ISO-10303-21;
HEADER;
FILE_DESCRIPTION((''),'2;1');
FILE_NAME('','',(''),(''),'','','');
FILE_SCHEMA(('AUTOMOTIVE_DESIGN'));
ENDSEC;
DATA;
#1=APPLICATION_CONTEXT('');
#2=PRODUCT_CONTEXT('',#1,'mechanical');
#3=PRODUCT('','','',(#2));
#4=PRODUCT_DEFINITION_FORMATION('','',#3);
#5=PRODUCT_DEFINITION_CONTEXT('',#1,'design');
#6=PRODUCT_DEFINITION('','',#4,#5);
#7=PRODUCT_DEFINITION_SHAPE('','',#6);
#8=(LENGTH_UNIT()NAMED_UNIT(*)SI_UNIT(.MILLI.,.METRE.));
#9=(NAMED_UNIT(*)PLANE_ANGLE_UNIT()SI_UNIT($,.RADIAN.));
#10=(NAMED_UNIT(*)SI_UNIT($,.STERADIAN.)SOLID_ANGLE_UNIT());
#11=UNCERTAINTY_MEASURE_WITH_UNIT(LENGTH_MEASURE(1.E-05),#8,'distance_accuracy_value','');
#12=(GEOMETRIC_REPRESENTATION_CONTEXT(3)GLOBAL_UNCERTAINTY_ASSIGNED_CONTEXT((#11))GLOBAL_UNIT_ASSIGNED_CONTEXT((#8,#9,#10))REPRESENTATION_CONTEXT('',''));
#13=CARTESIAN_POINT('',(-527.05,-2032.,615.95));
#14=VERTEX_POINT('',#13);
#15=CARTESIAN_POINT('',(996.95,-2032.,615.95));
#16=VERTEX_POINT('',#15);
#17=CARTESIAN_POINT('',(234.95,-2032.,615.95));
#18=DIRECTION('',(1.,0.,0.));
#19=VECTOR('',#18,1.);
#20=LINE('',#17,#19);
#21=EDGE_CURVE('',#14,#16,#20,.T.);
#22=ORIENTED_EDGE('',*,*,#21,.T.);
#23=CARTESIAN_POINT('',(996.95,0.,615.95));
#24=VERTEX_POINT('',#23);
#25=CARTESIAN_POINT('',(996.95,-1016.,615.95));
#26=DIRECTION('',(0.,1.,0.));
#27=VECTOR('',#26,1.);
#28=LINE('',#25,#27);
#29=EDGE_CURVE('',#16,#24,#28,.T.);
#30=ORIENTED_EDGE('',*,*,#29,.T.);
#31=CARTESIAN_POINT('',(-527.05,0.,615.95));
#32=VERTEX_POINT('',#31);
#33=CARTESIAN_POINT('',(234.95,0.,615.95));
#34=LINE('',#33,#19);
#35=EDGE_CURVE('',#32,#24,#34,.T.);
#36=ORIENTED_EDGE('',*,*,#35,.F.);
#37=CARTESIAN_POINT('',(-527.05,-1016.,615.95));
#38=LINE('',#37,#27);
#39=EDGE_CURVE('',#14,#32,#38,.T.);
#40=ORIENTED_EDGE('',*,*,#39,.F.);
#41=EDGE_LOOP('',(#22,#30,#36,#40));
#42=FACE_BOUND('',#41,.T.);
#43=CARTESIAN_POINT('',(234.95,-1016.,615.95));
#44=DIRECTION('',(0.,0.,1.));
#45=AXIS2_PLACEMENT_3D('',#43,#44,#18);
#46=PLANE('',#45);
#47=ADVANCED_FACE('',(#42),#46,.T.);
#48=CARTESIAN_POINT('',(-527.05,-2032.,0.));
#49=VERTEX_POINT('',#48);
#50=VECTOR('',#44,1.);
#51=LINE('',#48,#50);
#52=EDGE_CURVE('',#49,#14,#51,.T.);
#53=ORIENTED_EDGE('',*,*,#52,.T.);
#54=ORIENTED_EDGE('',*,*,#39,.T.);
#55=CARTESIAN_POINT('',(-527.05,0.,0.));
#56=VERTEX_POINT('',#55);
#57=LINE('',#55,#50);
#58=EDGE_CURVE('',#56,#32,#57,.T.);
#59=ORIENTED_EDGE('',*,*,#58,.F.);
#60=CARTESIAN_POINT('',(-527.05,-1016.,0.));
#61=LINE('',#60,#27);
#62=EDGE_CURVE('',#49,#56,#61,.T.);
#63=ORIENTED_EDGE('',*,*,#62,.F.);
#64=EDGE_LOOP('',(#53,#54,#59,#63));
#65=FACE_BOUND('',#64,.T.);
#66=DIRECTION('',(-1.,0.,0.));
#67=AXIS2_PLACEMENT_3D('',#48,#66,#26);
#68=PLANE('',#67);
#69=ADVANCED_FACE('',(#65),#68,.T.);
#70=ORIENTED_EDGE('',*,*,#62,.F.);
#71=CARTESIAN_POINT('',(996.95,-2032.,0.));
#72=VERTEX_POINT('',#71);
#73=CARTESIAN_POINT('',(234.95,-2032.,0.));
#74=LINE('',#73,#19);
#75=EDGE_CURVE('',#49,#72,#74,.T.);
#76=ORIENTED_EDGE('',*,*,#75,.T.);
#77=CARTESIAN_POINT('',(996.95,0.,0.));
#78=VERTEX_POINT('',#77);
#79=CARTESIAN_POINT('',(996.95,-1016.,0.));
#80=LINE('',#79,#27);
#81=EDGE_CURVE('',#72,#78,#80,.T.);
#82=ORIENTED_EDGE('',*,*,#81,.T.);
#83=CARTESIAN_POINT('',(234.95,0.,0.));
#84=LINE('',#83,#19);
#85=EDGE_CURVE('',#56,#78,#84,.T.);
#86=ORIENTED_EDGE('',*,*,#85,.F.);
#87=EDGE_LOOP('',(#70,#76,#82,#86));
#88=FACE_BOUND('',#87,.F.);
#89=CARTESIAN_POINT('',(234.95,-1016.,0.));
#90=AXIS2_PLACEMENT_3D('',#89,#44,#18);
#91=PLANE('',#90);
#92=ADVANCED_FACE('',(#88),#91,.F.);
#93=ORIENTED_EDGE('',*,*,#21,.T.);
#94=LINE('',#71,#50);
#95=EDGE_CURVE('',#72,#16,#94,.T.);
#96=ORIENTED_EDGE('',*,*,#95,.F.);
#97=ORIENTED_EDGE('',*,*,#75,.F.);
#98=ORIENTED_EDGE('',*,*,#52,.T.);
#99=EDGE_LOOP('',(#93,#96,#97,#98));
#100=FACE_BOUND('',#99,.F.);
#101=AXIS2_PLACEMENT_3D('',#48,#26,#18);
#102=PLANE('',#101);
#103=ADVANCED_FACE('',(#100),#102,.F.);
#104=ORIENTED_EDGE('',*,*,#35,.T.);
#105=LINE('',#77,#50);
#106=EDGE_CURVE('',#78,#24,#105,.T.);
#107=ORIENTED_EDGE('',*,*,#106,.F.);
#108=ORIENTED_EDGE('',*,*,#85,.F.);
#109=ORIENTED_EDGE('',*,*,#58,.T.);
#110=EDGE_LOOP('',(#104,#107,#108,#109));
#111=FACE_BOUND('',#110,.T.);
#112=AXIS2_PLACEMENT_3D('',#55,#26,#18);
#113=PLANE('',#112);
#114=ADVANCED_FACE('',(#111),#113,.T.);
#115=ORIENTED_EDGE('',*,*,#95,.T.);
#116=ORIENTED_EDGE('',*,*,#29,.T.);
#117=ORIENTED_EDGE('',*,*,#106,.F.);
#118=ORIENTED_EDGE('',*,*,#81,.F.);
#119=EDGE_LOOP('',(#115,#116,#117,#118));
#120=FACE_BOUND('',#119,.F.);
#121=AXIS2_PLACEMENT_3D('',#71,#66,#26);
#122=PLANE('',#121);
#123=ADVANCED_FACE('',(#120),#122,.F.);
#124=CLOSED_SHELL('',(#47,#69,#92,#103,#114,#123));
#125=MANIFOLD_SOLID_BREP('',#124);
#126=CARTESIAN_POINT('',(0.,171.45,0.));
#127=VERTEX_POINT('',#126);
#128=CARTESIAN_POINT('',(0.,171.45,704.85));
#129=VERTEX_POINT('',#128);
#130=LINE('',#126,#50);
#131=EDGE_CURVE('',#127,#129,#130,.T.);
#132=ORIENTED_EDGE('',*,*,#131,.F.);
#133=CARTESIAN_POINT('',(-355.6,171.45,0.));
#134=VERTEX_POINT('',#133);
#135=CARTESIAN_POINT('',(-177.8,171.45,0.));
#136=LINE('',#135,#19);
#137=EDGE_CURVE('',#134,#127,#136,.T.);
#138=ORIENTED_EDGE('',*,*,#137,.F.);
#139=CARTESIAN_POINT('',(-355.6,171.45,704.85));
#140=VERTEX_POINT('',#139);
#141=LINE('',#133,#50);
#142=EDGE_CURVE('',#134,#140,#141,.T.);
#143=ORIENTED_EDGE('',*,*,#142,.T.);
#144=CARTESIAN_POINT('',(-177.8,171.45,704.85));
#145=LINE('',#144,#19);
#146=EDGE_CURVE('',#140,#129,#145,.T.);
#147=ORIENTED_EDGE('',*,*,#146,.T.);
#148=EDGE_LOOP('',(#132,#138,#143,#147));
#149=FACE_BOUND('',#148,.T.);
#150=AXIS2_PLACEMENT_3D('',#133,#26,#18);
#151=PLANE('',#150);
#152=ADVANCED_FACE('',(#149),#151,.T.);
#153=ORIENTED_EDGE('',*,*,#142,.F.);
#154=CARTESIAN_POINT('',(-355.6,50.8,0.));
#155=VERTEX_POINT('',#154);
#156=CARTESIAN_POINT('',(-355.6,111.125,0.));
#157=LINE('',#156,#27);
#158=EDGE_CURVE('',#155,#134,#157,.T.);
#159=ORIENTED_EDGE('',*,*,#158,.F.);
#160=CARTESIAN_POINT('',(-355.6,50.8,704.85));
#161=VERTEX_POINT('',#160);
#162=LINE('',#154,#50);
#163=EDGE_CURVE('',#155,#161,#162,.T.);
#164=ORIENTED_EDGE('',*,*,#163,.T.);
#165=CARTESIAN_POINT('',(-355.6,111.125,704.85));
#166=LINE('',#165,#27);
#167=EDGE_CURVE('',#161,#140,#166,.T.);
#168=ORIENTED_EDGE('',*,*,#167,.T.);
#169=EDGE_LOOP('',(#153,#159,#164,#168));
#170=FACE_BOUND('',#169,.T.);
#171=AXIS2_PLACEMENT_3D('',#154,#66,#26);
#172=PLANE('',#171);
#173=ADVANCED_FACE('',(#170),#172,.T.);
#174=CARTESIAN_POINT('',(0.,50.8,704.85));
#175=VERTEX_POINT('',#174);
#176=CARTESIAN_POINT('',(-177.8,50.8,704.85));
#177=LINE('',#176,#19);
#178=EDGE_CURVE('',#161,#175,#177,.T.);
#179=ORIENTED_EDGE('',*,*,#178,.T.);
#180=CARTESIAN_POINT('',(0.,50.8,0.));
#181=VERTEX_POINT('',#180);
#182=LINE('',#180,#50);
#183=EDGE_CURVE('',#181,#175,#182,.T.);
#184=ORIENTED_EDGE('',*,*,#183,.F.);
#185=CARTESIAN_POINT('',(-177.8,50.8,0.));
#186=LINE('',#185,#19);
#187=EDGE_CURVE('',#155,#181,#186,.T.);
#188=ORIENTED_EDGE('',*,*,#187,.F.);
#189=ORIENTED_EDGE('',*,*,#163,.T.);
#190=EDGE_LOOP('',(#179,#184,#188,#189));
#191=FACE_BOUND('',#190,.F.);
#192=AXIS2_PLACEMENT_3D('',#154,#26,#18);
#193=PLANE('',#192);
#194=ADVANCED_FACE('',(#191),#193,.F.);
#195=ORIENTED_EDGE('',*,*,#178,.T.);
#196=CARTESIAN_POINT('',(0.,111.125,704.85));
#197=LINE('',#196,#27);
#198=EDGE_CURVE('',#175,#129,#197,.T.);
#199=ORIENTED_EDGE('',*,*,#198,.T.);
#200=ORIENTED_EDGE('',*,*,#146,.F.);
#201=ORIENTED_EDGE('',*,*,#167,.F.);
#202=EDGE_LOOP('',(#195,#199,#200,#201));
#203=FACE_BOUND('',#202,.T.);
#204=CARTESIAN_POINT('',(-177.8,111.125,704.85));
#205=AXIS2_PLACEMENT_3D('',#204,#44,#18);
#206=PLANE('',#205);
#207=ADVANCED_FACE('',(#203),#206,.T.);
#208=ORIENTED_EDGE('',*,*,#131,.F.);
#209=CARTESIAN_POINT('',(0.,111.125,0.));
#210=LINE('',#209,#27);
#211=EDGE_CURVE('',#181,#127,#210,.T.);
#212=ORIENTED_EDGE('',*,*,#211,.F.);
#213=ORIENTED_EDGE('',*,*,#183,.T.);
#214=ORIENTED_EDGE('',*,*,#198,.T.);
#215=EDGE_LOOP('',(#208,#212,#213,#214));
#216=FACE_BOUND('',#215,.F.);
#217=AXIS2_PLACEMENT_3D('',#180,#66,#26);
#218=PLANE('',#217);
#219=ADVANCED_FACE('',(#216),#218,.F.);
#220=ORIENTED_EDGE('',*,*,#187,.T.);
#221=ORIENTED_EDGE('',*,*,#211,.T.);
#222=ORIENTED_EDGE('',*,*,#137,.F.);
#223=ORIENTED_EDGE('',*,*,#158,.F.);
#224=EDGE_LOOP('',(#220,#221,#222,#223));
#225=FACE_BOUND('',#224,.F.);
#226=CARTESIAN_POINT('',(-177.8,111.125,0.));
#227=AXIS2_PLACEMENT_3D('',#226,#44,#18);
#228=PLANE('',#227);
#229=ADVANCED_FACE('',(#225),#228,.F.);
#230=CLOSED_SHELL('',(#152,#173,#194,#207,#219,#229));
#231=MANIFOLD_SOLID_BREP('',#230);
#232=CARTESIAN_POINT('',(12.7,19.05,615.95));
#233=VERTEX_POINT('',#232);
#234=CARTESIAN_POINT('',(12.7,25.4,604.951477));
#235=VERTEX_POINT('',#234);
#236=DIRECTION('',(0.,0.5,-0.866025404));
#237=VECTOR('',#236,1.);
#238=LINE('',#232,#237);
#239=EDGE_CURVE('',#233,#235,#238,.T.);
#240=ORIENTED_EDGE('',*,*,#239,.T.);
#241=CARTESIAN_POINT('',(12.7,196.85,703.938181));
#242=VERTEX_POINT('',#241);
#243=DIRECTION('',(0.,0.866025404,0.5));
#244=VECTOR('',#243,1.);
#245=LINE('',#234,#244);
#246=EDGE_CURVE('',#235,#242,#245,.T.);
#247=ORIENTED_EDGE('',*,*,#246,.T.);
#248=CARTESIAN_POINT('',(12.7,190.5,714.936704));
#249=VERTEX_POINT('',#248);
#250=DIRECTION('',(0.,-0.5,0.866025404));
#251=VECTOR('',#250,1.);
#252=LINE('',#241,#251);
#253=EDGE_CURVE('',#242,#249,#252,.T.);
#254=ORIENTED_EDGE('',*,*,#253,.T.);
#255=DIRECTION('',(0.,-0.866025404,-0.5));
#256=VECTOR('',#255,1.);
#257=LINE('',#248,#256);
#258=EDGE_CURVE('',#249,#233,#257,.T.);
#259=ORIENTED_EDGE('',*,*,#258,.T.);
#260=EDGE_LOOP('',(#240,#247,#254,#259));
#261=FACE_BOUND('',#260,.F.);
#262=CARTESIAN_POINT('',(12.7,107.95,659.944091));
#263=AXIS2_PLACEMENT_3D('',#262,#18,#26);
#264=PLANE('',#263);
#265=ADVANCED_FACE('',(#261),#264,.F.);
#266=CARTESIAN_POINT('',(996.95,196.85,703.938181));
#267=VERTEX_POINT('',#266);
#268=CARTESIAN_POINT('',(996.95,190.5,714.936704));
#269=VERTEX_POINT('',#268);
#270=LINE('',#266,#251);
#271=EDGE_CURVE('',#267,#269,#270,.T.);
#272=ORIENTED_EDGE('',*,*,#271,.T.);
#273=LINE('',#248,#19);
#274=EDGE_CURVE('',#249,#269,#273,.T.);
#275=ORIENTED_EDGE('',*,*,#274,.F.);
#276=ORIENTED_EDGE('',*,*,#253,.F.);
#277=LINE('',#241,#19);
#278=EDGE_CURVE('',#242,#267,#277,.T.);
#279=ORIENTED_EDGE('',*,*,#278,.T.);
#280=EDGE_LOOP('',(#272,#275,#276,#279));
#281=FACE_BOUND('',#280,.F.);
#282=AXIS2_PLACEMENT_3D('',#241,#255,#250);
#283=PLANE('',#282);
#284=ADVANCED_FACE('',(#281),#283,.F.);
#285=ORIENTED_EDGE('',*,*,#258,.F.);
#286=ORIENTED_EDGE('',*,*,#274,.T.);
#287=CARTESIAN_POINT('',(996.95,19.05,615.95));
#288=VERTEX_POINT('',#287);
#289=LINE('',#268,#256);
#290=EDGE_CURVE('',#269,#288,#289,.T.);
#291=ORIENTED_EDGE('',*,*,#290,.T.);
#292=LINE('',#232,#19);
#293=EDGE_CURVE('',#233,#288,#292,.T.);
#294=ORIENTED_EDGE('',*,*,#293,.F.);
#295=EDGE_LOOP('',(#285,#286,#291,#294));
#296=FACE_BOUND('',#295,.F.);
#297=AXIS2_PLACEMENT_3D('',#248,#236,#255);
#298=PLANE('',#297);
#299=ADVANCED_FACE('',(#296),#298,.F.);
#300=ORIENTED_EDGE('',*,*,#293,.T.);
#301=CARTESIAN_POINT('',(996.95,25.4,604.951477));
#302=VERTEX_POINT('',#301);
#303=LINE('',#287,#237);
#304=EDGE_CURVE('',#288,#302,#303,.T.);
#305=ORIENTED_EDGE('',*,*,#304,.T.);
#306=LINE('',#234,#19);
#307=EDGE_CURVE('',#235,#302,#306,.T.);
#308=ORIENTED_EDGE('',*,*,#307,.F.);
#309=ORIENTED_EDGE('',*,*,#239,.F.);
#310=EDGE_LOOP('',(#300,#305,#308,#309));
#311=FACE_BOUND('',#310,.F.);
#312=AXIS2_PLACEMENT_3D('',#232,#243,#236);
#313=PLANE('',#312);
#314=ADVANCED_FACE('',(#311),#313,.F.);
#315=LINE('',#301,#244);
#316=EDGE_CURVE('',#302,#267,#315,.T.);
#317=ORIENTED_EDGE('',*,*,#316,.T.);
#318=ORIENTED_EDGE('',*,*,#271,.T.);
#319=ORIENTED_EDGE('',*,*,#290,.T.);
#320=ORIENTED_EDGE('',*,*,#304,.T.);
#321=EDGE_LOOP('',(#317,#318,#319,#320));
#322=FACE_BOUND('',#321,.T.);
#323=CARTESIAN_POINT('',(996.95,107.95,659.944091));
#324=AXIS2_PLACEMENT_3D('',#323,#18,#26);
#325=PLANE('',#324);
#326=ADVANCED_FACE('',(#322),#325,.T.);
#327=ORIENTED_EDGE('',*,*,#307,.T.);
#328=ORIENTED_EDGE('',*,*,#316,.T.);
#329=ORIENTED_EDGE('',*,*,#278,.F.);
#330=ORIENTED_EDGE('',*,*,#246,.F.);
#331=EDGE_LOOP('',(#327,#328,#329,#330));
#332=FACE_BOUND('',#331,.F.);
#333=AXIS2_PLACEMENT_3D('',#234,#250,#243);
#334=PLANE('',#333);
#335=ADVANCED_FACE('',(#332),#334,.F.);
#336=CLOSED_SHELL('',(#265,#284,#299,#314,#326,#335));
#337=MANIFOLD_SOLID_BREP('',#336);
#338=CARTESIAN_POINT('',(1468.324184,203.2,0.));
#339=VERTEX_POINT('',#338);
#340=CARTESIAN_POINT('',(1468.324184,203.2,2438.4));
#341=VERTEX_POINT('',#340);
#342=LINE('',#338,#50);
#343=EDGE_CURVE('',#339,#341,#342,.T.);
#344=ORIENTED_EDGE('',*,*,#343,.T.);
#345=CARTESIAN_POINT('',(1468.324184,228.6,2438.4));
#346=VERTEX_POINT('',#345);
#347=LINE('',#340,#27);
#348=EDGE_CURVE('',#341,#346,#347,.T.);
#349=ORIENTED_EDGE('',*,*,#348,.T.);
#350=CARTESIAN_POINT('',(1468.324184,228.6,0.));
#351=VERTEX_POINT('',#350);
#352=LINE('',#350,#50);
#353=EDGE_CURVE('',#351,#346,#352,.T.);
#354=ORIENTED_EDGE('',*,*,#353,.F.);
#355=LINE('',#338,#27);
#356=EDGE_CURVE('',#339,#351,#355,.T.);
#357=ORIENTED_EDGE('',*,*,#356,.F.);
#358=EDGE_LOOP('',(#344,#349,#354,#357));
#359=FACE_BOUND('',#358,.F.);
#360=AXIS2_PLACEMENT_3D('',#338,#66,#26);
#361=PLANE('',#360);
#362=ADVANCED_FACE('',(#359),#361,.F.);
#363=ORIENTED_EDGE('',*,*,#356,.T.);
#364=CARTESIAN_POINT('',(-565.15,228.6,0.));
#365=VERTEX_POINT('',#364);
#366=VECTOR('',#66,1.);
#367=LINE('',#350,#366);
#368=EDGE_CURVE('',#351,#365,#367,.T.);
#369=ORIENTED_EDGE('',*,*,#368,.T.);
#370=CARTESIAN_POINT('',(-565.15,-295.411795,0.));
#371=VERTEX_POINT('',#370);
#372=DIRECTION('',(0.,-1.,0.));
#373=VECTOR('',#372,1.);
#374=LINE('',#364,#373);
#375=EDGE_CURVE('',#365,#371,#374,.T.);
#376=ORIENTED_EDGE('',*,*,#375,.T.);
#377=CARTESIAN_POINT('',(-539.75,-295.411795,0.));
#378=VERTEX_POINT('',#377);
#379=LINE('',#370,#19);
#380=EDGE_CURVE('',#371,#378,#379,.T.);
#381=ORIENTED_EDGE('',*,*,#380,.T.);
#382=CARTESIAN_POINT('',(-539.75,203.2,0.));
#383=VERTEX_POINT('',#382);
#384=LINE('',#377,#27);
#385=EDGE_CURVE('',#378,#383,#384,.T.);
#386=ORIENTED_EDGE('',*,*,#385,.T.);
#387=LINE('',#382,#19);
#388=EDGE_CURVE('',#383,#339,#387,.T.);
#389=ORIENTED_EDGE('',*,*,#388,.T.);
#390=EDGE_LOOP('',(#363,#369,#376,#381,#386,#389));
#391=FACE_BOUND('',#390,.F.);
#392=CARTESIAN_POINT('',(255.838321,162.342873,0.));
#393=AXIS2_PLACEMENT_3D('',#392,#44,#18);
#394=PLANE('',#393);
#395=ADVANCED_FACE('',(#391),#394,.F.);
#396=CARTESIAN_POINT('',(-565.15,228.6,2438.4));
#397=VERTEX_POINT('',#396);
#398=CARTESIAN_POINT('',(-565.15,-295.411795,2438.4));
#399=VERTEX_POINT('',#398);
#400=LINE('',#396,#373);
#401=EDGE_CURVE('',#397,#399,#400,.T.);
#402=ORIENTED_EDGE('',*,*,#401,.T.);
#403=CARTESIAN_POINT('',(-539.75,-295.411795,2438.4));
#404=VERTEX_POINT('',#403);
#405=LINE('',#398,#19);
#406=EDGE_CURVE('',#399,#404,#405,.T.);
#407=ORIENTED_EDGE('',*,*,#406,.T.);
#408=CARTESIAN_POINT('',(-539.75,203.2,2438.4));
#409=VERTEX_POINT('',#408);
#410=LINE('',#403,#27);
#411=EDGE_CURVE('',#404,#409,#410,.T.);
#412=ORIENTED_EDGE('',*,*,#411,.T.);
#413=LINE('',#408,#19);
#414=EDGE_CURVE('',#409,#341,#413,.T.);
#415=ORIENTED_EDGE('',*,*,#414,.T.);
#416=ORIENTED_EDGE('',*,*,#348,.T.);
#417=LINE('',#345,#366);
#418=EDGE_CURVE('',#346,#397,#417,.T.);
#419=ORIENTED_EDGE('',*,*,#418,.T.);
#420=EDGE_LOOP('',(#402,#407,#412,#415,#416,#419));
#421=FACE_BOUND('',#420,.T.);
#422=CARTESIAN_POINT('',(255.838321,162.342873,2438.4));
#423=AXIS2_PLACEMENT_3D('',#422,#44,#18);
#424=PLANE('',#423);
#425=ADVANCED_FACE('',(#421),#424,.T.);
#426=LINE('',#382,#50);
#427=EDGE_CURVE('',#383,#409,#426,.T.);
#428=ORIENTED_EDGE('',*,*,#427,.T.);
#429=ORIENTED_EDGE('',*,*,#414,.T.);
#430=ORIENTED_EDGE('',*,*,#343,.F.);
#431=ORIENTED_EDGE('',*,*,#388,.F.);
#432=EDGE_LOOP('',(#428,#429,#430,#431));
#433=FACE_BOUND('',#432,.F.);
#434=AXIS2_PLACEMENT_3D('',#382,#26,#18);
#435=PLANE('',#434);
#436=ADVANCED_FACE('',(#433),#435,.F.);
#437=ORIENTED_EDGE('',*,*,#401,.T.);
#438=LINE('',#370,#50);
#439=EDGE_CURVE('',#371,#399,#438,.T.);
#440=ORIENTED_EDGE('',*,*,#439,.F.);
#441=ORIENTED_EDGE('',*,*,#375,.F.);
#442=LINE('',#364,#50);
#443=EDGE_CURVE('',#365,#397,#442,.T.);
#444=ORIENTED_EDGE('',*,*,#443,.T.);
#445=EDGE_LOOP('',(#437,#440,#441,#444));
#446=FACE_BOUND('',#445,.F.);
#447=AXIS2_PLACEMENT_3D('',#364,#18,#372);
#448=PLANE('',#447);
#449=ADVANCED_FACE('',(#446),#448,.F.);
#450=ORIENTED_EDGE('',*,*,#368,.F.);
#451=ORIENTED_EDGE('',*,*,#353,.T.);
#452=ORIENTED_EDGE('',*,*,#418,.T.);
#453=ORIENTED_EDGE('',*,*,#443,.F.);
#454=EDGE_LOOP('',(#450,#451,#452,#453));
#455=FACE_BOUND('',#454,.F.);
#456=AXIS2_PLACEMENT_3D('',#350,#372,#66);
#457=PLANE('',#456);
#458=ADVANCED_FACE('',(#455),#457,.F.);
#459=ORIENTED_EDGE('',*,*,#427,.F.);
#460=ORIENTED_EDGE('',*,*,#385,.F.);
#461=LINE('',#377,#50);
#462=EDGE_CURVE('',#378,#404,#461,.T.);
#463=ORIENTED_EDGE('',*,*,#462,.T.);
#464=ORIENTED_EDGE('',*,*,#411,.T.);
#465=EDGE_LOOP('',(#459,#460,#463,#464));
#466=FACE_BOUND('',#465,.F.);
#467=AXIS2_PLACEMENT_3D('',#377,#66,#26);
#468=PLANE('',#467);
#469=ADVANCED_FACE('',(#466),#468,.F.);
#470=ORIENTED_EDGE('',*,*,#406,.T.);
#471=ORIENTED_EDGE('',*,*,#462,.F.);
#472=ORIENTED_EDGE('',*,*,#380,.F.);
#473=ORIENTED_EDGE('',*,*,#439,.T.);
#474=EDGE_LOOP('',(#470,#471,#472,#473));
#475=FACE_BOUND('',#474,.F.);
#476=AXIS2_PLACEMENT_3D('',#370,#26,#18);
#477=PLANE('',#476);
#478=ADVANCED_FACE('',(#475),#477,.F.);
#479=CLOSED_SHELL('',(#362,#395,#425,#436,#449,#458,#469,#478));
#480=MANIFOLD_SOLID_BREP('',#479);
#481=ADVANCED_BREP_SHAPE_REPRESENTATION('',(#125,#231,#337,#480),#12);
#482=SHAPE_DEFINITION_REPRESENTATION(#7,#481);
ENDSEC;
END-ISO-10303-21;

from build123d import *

# Parameters (mm, degrees)
F0_W     = 355.6
F0_H     = 120.65
F1_DEPTH = 704.85
F3_DEPTH = 2438.4
F4_W     = 1524
F4_H     = 2032
F5_DEPTH = 615.95
F7_START = 12.7
F7_DEPTH = 984.25


with BuildPart() as f1:
    # F0 (on Top) → F1 (new body)
    with BuildSketch(Plane.XY):
        with Locations((-177.8, 111.125)):
            Rectangle(F0_W, F0_H)
    extrude(amount=F1_DEPTH)


with BuildPart() as f3:
    # F2 (on Top) → F3 (new body)
    with BuildSketch(Plane.XY):
        Polygon((-565.15, -295.4117953777), (-539.75, -295.4117953777), (-539.75, 203.2), (1468.3241844177, 203.2), (1468.3241844177, 228.6), (-565.15, 228.6), align=None)
    extrude(amount=F3_DEPTH)


with BuildPart() as f5:
    # F4 (on Top) → F5 (new body)
    with BuildSketch(Plane.XY):
        with Locations((234.95, -1016)):
            Rectangle(F4_W, F4_H)
    extrude(amount=F5_DEPTH)


with BuildPart() as f7:
    # F6 (on Right) → F7 (new body)
    with BuildSketch(Plane.YZ.offset(F7_START)):
        Polygon((190.5, 714.9367036526), (19.05, 615.95), (25.4, 604.9514773719), (196.85, 703.9381810245), align=None)
    extrude(amount=F7_DEPTH)


solid = Compound([f1.part, f3.part, f5.part, f7.part])
